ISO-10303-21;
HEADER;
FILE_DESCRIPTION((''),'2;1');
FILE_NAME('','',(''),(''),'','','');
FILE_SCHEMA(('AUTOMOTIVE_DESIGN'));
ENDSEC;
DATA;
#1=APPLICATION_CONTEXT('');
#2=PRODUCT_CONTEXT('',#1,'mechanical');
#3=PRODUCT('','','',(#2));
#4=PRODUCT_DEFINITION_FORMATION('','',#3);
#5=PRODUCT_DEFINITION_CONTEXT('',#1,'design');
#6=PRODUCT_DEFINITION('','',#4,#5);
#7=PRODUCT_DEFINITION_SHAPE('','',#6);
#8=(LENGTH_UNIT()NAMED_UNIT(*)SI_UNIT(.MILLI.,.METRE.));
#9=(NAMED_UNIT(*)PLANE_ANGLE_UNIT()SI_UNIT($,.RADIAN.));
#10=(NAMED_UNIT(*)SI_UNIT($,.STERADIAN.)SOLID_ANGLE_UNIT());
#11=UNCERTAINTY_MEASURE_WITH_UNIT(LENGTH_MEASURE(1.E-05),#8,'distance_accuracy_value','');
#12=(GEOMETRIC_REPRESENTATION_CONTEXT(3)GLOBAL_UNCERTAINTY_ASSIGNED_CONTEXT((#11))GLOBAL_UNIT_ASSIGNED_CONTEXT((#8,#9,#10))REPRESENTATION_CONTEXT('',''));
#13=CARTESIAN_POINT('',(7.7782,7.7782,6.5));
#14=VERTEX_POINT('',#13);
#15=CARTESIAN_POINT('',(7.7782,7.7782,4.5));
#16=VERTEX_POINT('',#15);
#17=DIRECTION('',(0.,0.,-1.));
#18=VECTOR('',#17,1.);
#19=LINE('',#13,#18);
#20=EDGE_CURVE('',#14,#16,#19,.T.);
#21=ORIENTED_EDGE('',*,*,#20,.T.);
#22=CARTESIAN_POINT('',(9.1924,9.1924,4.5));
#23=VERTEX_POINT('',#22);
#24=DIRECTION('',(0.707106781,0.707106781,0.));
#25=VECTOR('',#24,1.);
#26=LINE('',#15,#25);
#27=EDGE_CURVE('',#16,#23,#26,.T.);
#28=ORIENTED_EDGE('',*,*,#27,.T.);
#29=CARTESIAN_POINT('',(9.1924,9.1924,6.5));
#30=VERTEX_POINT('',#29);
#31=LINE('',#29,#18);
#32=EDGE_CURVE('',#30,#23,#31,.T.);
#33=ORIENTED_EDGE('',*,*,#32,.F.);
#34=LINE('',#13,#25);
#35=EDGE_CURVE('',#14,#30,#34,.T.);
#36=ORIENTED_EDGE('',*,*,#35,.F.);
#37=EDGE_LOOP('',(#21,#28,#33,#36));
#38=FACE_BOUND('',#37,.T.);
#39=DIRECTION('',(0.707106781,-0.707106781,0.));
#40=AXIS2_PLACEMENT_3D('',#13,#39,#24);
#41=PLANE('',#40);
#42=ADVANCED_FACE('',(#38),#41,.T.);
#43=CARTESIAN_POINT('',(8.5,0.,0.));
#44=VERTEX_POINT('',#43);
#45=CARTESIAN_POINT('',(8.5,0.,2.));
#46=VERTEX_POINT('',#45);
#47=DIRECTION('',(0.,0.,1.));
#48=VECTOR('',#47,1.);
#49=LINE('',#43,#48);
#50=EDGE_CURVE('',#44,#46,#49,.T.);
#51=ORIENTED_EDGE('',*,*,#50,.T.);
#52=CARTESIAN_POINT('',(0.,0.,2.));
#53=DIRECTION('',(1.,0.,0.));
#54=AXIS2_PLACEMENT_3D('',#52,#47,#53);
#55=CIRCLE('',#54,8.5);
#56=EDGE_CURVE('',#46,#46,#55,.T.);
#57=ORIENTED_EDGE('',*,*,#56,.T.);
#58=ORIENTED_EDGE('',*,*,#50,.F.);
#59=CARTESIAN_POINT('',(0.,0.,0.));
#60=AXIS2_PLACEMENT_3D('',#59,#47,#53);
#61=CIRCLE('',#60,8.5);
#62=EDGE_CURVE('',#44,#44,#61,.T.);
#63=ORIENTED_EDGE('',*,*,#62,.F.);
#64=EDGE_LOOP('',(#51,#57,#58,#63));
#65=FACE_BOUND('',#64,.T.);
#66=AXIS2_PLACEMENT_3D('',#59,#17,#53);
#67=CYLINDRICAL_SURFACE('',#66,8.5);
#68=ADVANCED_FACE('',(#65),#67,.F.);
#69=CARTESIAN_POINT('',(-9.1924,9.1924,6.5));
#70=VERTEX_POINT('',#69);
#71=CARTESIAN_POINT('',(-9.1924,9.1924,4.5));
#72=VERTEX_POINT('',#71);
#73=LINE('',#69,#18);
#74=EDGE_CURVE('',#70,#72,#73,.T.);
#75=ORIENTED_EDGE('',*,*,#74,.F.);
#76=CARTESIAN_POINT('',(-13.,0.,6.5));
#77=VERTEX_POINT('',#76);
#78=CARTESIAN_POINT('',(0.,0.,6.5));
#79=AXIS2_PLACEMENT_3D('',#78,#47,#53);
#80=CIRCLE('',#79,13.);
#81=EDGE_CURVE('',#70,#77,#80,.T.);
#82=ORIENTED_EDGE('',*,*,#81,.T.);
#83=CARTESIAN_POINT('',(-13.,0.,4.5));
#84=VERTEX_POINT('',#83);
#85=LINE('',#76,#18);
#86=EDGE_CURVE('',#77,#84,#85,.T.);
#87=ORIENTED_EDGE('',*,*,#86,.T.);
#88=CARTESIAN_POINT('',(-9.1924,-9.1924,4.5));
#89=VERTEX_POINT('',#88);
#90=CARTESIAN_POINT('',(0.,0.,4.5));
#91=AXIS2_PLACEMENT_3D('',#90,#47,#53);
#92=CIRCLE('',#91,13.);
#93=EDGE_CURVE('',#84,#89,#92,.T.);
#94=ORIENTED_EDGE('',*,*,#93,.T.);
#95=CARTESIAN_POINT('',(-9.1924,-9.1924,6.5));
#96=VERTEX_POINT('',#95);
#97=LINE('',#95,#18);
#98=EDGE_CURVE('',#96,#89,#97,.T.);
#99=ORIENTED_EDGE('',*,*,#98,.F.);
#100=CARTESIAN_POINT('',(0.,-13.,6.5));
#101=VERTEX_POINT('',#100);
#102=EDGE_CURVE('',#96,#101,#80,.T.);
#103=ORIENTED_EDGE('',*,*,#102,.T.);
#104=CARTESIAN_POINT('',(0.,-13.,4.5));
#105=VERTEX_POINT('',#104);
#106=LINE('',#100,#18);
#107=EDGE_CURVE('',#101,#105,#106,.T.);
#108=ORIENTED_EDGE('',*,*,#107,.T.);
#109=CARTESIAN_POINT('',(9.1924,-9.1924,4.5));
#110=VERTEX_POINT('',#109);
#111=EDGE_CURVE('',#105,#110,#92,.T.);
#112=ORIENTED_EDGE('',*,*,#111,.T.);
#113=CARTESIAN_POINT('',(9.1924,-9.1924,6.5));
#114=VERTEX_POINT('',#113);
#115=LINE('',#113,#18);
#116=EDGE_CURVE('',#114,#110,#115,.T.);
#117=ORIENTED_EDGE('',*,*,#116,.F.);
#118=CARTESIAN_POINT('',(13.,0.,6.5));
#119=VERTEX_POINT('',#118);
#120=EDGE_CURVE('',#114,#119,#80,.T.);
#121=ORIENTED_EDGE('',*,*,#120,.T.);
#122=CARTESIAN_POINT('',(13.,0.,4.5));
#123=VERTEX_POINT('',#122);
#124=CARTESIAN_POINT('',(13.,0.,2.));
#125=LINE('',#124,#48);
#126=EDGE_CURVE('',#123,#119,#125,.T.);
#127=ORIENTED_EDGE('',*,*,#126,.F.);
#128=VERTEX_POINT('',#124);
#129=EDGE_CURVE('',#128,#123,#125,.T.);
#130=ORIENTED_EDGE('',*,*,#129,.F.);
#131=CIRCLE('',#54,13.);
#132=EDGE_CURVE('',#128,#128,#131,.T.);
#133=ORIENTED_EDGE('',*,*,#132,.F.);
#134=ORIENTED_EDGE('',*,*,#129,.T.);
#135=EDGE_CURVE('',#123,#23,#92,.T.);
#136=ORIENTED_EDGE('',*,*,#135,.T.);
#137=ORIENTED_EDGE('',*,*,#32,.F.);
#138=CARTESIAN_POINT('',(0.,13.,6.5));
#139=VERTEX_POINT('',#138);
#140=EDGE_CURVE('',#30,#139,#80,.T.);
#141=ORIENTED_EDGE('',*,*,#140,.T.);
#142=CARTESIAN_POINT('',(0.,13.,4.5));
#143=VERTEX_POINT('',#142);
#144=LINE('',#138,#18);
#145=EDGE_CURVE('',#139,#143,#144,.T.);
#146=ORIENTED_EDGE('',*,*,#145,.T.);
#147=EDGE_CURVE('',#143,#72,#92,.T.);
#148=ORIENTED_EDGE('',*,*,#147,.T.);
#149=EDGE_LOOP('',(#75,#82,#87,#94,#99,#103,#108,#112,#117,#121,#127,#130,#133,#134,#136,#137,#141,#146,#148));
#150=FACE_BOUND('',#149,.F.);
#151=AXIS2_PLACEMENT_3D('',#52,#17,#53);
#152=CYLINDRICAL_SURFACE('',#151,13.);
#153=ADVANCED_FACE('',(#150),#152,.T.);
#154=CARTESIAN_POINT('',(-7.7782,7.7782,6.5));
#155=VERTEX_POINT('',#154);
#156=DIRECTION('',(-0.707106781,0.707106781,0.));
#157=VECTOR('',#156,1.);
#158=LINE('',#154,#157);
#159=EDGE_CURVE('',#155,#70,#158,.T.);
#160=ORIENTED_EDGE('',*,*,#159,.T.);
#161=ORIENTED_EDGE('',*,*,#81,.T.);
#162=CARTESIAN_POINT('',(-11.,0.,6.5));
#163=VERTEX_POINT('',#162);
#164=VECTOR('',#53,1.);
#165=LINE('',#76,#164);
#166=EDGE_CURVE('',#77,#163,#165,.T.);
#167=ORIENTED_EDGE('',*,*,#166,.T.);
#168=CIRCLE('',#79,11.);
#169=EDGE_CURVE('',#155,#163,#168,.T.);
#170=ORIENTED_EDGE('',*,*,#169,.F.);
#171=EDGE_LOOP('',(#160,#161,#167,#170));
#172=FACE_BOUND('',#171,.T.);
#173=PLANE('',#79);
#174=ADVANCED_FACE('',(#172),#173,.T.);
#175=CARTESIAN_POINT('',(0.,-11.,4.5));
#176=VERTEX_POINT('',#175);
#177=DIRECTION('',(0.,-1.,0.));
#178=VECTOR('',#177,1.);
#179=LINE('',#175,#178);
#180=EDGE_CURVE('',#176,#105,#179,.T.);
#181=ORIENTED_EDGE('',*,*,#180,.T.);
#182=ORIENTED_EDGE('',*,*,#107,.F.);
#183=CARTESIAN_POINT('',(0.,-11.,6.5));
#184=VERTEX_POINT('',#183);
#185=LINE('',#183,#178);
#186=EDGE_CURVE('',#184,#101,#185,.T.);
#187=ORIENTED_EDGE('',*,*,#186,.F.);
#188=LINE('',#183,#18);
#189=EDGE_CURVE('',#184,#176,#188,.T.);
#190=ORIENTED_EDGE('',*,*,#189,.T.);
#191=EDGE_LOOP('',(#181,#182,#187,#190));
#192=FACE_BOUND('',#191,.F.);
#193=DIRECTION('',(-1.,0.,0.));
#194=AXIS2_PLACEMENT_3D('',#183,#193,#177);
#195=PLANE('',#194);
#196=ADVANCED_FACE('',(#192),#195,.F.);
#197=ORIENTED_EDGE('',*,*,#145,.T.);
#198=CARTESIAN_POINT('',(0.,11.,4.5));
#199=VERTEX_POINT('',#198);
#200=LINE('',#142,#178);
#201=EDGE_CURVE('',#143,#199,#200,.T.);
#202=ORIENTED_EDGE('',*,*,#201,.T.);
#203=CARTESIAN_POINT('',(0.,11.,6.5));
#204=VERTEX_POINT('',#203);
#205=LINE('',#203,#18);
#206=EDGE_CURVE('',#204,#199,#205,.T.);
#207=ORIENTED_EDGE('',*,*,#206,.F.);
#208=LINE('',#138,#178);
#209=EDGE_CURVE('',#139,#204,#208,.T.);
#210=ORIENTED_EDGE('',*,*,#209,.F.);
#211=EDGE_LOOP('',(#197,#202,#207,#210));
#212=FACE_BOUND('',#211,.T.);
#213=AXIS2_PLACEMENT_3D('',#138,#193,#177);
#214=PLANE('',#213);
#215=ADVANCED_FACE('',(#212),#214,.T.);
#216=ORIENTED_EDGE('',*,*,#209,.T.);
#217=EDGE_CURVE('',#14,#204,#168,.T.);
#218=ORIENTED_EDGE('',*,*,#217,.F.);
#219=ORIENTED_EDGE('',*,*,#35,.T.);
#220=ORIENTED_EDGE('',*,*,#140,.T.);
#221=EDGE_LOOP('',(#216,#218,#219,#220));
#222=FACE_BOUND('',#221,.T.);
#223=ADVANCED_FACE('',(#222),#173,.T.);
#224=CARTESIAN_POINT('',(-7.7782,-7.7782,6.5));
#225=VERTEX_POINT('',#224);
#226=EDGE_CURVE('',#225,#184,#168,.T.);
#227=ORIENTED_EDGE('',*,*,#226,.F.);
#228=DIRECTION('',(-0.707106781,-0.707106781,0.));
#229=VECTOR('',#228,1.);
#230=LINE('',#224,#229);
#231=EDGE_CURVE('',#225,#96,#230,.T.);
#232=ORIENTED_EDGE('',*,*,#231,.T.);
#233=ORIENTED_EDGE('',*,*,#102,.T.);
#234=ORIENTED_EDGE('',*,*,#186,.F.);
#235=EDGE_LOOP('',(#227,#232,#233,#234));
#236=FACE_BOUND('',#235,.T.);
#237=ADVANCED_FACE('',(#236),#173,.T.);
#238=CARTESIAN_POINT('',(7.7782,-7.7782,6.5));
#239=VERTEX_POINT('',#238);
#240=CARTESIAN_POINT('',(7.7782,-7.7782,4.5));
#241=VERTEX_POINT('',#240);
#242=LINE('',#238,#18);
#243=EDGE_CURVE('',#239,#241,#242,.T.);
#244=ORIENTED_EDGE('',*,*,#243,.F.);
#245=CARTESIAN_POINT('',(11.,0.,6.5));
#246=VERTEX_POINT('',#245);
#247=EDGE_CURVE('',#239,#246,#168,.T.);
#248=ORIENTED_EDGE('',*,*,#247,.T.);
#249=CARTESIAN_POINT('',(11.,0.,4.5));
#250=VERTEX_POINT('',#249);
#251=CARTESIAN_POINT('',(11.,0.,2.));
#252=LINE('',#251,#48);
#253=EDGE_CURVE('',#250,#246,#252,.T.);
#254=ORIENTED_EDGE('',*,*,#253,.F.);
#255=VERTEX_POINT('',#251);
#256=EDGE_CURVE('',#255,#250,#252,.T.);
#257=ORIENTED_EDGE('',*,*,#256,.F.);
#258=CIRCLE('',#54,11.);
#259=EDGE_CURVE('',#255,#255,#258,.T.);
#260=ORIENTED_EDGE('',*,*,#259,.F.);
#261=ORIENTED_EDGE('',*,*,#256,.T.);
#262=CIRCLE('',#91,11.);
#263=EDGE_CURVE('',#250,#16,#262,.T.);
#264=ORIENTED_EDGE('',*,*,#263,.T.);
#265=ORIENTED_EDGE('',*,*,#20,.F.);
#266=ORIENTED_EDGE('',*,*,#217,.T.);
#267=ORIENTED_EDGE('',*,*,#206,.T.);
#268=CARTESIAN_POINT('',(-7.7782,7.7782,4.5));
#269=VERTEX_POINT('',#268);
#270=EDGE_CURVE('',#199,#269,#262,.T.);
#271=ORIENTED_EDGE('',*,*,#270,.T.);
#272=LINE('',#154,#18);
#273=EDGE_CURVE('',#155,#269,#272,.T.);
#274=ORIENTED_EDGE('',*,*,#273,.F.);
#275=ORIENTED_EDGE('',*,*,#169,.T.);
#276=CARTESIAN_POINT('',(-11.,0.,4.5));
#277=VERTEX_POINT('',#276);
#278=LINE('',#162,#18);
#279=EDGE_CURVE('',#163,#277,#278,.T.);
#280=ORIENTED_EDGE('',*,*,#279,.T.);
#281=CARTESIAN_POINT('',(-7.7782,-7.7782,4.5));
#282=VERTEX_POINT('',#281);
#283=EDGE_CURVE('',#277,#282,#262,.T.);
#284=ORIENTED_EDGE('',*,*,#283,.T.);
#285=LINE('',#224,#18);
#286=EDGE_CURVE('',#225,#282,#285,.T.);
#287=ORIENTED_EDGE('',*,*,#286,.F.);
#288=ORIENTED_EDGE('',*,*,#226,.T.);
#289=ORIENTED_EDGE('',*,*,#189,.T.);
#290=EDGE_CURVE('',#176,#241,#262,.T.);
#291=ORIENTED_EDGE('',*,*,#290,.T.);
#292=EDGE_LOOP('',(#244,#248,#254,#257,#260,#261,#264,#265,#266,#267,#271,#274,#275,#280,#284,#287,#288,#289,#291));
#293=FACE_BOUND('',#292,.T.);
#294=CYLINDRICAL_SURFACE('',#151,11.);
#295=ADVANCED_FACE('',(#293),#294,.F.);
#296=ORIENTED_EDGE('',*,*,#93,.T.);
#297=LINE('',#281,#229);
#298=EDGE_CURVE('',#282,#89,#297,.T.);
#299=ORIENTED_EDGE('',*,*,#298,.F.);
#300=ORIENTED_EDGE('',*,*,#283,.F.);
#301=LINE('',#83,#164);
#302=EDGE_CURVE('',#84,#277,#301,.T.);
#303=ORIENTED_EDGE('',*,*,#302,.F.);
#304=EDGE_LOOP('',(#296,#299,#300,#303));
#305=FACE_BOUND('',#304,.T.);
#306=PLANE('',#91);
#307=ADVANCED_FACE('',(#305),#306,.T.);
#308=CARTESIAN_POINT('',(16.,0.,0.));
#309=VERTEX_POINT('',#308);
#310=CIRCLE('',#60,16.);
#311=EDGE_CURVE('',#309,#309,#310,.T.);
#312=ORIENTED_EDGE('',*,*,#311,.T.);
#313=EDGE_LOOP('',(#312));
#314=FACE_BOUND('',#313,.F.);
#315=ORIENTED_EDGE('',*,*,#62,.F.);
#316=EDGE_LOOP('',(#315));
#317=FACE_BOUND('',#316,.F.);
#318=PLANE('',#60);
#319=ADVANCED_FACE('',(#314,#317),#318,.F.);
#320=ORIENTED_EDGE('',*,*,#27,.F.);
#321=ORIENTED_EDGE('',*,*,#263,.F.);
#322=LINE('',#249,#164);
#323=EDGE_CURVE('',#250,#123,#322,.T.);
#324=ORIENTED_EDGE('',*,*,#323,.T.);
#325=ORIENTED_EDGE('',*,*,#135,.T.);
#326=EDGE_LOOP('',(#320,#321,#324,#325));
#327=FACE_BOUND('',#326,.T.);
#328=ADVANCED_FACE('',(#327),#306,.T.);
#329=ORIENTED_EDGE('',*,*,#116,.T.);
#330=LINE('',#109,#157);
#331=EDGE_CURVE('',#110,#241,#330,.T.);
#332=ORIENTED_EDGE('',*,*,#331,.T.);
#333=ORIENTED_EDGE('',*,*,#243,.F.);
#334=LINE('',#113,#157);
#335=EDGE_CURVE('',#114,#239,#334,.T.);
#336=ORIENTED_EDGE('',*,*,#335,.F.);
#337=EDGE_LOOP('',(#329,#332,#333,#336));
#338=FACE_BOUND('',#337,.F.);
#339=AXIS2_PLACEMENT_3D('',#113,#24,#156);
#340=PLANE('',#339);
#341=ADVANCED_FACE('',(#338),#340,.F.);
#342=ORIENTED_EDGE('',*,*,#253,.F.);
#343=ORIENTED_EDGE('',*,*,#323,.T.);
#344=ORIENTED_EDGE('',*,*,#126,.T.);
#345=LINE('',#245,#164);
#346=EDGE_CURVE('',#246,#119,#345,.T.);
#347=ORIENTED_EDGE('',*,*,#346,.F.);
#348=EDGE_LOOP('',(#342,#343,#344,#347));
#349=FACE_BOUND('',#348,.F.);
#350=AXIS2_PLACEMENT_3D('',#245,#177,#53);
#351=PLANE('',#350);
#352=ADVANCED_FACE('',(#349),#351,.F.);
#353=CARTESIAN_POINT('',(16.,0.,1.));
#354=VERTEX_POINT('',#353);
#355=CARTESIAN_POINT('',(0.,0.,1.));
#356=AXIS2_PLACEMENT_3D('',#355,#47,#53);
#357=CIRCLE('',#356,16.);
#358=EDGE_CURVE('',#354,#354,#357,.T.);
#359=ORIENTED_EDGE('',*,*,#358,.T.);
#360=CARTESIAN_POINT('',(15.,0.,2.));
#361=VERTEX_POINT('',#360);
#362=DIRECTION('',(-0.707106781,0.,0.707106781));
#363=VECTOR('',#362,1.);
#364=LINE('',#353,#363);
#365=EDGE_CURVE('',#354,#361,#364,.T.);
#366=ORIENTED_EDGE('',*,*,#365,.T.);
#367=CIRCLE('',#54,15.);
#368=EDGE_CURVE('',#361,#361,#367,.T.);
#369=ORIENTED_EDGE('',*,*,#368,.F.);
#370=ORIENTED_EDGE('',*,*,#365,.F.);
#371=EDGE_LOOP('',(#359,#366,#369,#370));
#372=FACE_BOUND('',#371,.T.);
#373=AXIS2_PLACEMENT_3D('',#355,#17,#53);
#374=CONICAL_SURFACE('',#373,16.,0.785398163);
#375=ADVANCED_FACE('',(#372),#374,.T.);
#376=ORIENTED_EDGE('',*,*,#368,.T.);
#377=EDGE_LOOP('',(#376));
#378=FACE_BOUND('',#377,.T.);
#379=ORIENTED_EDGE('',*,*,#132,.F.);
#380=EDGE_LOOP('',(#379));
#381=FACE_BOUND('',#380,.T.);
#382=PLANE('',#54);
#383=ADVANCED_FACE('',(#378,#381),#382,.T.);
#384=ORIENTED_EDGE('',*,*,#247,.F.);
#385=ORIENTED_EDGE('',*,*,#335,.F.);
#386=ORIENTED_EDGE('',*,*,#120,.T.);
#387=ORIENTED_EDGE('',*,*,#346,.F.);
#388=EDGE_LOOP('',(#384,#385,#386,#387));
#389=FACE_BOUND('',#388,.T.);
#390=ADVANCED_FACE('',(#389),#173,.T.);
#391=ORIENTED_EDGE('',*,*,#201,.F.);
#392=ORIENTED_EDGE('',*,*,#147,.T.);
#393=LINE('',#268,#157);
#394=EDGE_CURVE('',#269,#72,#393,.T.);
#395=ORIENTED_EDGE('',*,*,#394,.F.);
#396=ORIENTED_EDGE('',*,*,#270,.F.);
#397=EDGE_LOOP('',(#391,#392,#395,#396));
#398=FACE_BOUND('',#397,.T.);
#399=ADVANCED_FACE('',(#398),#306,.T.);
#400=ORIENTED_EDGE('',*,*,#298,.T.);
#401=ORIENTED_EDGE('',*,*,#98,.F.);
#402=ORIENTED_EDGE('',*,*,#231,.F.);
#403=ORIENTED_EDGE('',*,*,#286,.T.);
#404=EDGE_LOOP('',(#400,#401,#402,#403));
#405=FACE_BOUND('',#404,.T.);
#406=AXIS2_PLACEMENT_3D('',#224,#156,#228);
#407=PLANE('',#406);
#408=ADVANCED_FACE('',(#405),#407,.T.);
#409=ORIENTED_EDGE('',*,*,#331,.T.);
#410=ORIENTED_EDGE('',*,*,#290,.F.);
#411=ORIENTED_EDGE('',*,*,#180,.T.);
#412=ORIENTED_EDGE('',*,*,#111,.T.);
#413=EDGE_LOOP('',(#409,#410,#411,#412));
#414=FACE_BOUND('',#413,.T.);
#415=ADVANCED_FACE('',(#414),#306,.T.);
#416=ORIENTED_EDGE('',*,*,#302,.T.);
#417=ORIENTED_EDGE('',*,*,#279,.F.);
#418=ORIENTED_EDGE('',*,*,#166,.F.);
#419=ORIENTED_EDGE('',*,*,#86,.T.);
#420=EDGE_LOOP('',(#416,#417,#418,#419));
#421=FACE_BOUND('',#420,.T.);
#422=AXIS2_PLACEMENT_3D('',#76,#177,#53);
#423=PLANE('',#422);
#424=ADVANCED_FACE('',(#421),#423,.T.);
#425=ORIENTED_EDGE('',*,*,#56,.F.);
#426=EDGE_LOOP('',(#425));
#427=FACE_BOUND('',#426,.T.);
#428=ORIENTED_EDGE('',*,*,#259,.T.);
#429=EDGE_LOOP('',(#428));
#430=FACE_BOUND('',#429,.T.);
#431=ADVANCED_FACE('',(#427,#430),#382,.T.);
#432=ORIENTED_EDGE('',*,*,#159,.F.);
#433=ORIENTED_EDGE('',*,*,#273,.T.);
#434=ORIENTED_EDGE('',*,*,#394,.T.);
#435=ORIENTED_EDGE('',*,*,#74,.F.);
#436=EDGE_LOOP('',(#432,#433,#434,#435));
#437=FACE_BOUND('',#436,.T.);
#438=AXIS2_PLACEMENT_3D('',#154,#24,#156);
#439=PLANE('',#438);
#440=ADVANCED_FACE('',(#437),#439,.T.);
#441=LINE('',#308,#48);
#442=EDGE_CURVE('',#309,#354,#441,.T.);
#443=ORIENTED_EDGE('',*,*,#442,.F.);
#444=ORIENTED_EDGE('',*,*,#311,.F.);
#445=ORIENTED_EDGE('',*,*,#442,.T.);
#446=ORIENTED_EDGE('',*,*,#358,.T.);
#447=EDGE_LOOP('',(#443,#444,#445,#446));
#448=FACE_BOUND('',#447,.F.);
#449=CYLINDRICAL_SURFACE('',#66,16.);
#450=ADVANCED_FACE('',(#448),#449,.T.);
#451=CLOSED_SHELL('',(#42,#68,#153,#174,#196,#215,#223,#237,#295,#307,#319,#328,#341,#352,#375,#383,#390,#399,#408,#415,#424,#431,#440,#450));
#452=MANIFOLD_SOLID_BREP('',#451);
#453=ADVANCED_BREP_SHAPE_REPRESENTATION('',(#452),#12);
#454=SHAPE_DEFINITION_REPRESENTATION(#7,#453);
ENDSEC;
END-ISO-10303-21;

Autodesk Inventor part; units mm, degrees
ref_plane "YZ Plane" through (0, 0, 0) normal (1, 0, 0) x (0, 1, 0)
ref_plane "XZ Plane" through (0, 0, 0) normal (0, 1, 0) x (-1, 0, 0)
ref_plane "XY Plane" through (0, 0, 0) normal (0, 0, 1) x (1, 0, 0)
sketch "Sketch1" plane through (0, 0, 0) normal (0, 0, 1) x (1, 0, 0)
  circle A0 centre (0, 0) radius 16
  circle A1 centre (0, 0) radius 8.5
  dimension "d0" = 32
  dimension "d1" = 17
extrude "Extrusion1" add sketch "Sketch1" along normal blind 2
sketch "Sketch2" plane through (0, 0, 2) normal (0, 0, 1) x (1, 0, 0)
  circle A0 centre (0, 0) radius 16 projected
  circle A1 centre (0, 0) radius 11
  circle A2 centre (0, 0) radius 13
  dimension "d4" = 22
  dimension "d5" = 26
extrude "Extrusion2" add sketch "Sketch2" along normal blind 4.5 contours A2
sketch "Sketch3" plane through (0, 0, 6.5) normal (0, 0, 1) x (1, 0, 0)
  circle A0 centre (0, 0) radius 11 projected
  circle A1 centre (0, 0) radius 13 projected
  line L0 (-13, 0) -> (13, 0) construction
  line L1 (0, 13) -> (0, -13) construction
  line L2 (-9.1924, 9.1924) -> (9.1924, -9.1924) construction
  line L3 (9.1924, 9.1924) -> (-9.1924, -9.1924) construction
  circle A2 centre (0, 0) radius 13
  circle A3 centre (0, 0) radius 11
  line L4 (-13, 0) -> (-11, 0)
  line L5 (-7.7782, 7.7782) -> (-9.1924, 9.1924)
  line L6 (0, 13) -> (0, 11)
  line L7 (7.7782, 7.7782) -> (9.1924, 9.1924)
  line L8 (11, 0) -> (13, 0)
  line L9 (9.1924, -9.1924) -> (7.7782, -7.7782)
  line L10 (0, -11) -> (0, -13)
  line L11 (-7.7782, -7.7782) -> (-9.1924, -9.1924)
  dimension "d8" = 45
  dimension "d9" = 45
extrude "Extrusion3" cut sketch "Sketch3" against normal blind 2 contours A0 L7 A1 L8 | L9 A1 L10 A0 | A0 L5 A1 L6 | L11 A1 L4 A0
chamfer "Chamfer1" distance 1 angle 45 1 edges at (-16, 0, 2)
properties part number "belt_guide" material "ABS Plastic"
